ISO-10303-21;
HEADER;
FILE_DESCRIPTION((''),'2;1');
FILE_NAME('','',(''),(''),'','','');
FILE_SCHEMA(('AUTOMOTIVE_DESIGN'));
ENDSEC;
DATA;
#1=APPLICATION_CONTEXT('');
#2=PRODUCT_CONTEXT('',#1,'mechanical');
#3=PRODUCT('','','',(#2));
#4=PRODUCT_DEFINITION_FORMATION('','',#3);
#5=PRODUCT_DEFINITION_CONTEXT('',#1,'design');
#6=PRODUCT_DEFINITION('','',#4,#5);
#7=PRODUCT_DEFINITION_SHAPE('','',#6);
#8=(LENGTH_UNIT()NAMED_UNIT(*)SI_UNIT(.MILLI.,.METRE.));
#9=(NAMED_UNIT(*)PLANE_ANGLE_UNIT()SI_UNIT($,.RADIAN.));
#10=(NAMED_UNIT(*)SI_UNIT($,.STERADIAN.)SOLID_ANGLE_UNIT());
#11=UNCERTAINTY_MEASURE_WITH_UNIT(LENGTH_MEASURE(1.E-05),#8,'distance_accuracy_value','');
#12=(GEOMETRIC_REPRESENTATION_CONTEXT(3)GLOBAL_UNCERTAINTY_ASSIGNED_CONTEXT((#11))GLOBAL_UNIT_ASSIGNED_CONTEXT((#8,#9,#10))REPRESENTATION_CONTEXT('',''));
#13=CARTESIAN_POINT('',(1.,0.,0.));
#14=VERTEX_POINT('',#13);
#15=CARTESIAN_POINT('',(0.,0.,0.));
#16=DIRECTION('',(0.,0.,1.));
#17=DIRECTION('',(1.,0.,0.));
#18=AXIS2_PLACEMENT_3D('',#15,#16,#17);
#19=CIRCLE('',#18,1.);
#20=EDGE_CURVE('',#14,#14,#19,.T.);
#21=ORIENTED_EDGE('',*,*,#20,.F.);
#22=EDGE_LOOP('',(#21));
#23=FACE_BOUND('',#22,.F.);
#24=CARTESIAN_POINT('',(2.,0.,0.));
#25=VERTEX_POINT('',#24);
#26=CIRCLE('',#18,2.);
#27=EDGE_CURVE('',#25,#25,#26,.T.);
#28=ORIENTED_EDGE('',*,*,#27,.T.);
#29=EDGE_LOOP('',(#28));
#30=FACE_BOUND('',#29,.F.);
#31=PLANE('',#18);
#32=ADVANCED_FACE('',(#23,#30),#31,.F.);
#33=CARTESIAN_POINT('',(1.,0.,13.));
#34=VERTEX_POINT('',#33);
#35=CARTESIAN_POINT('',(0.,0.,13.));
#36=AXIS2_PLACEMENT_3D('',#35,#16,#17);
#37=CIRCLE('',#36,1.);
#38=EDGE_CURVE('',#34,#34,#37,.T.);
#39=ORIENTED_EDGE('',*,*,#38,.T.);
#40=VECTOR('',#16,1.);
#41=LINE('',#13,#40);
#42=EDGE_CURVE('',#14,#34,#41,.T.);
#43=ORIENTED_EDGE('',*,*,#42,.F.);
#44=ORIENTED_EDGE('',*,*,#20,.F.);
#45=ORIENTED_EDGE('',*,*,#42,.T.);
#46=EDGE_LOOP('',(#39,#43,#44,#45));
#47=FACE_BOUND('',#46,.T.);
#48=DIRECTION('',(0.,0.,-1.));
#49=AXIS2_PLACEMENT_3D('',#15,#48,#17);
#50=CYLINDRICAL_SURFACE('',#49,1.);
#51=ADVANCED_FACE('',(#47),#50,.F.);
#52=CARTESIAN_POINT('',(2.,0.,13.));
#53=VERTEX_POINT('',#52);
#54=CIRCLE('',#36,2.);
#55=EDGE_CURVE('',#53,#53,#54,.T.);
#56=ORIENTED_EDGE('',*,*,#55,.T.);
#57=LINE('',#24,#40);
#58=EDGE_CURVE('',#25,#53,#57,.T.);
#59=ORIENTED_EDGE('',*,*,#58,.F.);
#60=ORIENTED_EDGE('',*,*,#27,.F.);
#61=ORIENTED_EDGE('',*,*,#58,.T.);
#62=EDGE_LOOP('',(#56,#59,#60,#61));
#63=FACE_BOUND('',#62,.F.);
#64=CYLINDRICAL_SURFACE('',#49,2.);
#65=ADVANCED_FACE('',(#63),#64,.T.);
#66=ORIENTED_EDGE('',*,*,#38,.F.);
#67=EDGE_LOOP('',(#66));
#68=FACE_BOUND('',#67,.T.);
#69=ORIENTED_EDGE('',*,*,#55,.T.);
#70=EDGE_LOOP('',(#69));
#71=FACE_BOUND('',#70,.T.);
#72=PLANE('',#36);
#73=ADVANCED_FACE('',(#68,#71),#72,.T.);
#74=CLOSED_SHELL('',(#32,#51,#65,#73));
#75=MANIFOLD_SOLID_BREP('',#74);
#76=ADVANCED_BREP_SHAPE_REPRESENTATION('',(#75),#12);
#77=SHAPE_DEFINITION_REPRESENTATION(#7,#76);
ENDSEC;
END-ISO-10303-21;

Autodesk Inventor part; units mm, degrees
ref_plane "YZ Plane" through (0, 0, 0) normal (1, 0, 0) x (0, 1, 0)
ref_plane "XZ Plane" through (0, 0, 0) normal (0, 1, 0) x (-1, 0, 0)
ref_plane "XY Plane" through (0, 0, 0) normal (0, 0, 1) x (1, 0, 0)
sketch "スケッチ1" plane through (0, 0, 0) normal (0, 0, 1) x (1, 0, 0)
  circle A0 centre (0, 0) radius 2
  circle A1 centre (0, 0) radius 1
  dimension "d0" = 4
  dimension "d1" = 2
extrude "押し出し1" add sketch "スケッチ1" along normal blind 13
properties part number "スペーサーm2-13　簡易筒型" material "アルミニウム 2014-T4"
